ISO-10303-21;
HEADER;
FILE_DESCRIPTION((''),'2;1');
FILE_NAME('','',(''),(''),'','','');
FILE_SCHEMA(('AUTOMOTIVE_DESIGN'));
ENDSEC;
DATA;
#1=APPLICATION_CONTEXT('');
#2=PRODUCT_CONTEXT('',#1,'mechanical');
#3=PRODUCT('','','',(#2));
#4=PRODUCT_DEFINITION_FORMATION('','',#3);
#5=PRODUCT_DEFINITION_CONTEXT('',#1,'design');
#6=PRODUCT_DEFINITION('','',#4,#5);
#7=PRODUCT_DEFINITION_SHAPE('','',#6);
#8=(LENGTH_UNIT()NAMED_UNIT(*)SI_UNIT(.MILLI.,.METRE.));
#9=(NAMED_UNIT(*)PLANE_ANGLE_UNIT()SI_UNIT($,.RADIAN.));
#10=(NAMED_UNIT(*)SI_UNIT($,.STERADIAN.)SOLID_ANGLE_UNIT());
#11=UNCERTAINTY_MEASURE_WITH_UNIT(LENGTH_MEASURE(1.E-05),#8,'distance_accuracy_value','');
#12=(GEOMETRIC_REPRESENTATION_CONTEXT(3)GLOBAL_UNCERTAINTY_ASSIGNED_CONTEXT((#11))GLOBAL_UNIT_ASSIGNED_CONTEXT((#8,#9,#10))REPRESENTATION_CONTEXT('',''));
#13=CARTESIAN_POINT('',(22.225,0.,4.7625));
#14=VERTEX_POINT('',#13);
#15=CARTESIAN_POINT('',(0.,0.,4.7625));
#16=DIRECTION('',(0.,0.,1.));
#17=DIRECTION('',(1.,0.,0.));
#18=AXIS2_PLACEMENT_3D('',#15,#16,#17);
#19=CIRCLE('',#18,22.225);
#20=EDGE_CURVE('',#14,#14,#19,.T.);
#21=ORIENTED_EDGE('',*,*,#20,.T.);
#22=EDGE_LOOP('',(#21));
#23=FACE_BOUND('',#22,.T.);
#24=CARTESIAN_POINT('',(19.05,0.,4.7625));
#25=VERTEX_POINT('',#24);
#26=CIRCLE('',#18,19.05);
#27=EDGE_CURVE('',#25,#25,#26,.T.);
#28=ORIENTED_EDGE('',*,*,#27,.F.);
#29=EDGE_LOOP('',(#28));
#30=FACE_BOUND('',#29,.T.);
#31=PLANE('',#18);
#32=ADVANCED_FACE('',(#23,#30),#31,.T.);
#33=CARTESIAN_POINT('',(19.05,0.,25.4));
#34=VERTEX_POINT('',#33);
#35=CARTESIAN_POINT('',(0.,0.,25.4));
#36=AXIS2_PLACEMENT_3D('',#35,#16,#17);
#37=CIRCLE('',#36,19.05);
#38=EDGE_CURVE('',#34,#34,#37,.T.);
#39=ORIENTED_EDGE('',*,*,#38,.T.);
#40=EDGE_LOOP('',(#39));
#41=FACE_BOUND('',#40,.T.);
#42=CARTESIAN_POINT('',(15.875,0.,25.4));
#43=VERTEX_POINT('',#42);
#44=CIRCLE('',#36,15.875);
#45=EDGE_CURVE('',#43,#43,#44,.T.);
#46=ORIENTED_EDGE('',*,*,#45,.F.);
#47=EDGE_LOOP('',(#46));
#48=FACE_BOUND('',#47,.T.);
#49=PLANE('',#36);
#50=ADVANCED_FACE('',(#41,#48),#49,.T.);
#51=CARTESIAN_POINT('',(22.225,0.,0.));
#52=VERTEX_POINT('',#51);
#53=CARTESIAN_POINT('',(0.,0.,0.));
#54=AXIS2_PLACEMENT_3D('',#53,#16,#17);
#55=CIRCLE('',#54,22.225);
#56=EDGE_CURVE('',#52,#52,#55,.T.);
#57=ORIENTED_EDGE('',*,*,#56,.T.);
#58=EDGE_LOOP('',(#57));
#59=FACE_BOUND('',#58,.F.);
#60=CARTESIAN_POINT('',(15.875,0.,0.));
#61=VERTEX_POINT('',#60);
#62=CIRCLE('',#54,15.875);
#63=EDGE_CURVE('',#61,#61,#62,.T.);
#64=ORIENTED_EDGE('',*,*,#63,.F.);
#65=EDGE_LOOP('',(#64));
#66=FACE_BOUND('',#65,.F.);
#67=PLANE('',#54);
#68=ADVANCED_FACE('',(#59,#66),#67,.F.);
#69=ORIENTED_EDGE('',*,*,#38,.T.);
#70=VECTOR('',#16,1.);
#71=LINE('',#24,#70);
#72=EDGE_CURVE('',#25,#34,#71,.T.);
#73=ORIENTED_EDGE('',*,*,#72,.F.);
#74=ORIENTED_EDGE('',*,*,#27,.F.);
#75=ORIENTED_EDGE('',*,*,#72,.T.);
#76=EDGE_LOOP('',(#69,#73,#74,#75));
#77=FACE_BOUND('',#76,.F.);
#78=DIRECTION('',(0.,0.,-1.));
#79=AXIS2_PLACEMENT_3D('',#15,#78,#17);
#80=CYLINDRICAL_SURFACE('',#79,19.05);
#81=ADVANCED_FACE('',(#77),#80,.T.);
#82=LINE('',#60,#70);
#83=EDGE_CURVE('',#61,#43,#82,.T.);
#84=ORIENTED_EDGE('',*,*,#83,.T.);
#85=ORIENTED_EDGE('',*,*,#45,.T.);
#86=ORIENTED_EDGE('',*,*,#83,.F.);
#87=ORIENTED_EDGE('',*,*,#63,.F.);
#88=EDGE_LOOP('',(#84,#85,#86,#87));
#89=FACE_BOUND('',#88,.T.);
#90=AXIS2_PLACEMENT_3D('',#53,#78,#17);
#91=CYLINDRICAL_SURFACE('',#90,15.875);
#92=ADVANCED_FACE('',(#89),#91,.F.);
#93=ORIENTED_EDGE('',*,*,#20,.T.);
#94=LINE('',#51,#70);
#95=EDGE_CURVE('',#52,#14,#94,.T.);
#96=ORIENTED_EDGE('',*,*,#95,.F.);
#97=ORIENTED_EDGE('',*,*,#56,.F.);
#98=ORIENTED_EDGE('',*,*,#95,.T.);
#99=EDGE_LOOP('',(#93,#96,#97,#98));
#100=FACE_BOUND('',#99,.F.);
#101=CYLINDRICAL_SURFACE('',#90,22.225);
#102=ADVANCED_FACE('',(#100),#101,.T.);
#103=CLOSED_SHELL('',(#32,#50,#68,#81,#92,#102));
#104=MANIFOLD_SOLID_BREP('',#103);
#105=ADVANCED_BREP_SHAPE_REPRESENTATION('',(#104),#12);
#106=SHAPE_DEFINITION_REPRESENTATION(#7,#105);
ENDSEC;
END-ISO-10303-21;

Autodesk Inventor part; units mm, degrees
ref_plane "YZ Plane" through (0, 0, 0) normal (1, 0, 0) x (0, 1, 0)
ref_plane "XZ Plane" through (0, 0, 0) normal (0, 1, 0) x (-1, 0, 0)
ref_plane "XY Plane" through (0, 0, 0) normal (0, 0, 1) x (1, 0, 0)
sketch "Sketch1" plane through (0, 0, 0) normal (0, 0, 1) x (1, 0, 0)
  circle A0 centre (0, 0) radius 22.225
  circle A1 centre (0, 0) radius 15.875
  dimension "d0" = 31.75
  dimension "d1" = 44.45
extrude "Extrusion1" add sketch "Sketch1" along normal blind 4.7625
sketch "Sketch4" plane through (0, 0, 4.7625) normal (0, 0, 1) x (1, 0, 0)
  circle A0 centre (0, 0) radius 15.875 projected
  circle A1 centre (0, 0) radius 19.05
  dimension "d10" = 38.1
extrude "Extrusion4" add sketch "Sketch4" along normal blind 20.6375
properties part number "Flanged Bushing" material "Bronze"
